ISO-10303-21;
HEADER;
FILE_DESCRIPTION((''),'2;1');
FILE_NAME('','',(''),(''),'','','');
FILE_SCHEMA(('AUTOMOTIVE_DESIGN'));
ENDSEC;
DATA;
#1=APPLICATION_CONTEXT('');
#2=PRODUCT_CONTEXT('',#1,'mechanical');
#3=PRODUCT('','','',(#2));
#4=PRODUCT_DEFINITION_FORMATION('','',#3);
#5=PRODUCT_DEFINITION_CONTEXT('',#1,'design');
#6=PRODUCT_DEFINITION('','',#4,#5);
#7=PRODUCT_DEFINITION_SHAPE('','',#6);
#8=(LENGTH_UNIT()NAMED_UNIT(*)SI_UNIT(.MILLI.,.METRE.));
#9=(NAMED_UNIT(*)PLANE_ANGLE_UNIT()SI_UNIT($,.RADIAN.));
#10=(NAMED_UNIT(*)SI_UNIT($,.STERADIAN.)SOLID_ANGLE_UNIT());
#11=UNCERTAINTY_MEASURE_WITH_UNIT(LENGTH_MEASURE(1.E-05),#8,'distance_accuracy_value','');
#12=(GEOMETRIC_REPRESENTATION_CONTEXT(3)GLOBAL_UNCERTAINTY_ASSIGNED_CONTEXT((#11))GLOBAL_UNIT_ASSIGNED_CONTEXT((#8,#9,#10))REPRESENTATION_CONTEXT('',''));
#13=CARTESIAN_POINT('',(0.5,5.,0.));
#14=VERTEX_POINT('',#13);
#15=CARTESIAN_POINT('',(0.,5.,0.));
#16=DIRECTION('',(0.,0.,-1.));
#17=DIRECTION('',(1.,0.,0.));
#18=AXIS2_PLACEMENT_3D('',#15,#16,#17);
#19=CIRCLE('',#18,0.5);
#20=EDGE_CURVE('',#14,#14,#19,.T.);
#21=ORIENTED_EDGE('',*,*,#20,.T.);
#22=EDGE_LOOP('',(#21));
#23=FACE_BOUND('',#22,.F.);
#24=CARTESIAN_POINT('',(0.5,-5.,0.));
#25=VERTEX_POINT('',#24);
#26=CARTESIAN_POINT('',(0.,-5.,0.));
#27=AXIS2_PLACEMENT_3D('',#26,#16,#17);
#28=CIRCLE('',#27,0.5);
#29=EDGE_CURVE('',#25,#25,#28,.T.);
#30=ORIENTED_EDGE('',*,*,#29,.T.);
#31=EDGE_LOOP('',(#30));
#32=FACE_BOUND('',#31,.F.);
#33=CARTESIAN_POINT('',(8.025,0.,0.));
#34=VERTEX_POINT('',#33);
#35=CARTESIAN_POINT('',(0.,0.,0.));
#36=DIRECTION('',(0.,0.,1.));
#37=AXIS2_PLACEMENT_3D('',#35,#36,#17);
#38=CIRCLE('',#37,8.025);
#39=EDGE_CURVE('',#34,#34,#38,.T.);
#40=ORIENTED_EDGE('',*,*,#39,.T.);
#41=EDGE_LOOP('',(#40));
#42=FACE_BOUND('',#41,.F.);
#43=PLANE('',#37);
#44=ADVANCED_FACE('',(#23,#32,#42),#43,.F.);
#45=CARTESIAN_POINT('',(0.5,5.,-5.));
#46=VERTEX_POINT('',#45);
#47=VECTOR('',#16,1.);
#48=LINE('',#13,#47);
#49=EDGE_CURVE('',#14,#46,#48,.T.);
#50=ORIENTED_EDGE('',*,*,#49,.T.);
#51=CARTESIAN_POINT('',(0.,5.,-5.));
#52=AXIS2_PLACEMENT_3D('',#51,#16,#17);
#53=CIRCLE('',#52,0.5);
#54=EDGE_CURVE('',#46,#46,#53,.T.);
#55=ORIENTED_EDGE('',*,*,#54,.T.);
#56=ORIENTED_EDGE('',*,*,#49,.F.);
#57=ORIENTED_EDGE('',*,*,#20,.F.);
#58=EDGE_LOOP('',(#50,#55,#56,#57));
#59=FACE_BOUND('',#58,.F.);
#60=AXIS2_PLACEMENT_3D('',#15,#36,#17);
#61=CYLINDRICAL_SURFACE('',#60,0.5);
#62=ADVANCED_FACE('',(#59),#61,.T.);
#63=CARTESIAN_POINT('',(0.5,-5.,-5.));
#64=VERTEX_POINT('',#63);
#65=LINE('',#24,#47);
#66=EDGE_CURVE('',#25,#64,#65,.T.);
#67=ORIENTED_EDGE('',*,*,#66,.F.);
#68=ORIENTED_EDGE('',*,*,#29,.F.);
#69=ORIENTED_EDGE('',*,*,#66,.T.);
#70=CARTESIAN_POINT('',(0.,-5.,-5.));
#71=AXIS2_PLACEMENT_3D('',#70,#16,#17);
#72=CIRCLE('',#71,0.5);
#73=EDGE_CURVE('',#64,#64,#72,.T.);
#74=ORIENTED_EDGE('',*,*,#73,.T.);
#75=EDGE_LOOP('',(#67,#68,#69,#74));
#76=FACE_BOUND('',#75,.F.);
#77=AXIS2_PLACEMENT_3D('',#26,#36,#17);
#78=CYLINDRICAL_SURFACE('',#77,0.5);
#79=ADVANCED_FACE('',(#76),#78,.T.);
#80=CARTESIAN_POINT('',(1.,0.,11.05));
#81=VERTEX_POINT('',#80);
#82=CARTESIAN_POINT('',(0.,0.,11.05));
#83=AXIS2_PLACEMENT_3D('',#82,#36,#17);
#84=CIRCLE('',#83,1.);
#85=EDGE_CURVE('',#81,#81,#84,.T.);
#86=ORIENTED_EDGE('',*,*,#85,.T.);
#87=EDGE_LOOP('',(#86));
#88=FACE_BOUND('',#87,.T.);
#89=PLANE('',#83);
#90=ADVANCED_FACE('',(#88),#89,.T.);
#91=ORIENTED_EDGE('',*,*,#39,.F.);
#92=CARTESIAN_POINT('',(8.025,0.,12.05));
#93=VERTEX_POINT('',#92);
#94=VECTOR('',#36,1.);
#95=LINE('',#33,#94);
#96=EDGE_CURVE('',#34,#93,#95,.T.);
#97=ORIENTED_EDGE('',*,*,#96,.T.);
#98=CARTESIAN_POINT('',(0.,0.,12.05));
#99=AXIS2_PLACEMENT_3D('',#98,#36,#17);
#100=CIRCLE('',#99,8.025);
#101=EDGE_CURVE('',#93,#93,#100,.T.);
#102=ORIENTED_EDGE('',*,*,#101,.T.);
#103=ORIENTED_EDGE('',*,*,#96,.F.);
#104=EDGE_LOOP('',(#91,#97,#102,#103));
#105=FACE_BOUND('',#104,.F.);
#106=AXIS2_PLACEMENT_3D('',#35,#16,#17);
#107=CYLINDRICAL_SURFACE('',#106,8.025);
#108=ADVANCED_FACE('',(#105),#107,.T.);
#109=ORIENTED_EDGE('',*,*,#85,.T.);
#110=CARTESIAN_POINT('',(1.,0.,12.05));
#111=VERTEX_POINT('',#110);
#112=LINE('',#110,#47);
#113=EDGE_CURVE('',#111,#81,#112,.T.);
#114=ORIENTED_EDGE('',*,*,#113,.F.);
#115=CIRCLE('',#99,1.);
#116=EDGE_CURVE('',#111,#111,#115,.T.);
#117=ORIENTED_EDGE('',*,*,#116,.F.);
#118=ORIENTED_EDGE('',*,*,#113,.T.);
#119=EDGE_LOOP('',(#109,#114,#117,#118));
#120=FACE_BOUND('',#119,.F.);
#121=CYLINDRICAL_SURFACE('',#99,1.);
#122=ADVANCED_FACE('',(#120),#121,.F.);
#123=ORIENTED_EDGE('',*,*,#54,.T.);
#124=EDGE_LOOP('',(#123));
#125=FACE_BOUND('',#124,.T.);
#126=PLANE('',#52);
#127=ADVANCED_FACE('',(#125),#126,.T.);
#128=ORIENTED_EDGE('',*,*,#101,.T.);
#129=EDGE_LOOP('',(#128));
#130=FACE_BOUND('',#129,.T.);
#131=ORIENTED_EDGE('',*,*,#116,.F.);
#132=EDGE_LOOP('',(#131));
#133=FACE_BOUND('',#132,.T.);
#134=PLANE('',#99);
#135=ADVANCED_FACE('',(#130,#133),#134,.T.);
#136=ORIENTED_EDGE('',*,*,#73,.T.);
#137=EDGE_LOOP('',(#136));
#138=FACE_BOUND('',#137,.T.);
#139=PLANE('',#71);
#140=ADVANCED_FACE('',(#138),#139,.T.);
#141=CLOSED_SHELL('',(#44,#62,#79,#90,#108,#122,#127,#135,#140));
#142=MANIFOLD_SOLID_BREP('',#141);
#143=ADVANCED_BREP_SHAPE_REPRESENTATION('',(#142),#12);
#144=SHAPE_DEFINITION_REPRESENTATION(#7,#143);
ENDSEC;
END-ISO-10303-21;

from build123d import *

# Parameters (mm, degrees)
CYLINDER_R     = 8.025
CYLINDER_DEPTH = 12.05
SKETCH_R       = 0.5
PAD_DEPTH      = 5
SKETCH001_R    = 1
POCKET_DEPTH   = 1


with BuildPart() as part:
    # Cylinder → Cylinder (new body)
    with BuildSketch(Plane.XY):
        Circle(CYLINDER_R)
    extrude(amount=CYLINDER_DEPTH)

    # Sketch → Pad (new body)
    with BuildSketch(Plane(origin=(0, 0, 0), x_dir=(1, 0, 0), z_dir=(0, 0, -1))):
        with Locations((0, 5)):
            Circle(SKETCH_R)
        with Locations((0, -5)):
            Circle(SKETCH_R)
    extrude(amount=PAD_DEPTH)

    # Sketch001 → Pocket (cut)
    with BuildSketch(Plane.XY.offset(12.05)):
        Circle(SKETCH001_R)
    extrude(amount=-POCKET_DEPTH, mode=Mode.SUBTRACT)


solid = part.part
